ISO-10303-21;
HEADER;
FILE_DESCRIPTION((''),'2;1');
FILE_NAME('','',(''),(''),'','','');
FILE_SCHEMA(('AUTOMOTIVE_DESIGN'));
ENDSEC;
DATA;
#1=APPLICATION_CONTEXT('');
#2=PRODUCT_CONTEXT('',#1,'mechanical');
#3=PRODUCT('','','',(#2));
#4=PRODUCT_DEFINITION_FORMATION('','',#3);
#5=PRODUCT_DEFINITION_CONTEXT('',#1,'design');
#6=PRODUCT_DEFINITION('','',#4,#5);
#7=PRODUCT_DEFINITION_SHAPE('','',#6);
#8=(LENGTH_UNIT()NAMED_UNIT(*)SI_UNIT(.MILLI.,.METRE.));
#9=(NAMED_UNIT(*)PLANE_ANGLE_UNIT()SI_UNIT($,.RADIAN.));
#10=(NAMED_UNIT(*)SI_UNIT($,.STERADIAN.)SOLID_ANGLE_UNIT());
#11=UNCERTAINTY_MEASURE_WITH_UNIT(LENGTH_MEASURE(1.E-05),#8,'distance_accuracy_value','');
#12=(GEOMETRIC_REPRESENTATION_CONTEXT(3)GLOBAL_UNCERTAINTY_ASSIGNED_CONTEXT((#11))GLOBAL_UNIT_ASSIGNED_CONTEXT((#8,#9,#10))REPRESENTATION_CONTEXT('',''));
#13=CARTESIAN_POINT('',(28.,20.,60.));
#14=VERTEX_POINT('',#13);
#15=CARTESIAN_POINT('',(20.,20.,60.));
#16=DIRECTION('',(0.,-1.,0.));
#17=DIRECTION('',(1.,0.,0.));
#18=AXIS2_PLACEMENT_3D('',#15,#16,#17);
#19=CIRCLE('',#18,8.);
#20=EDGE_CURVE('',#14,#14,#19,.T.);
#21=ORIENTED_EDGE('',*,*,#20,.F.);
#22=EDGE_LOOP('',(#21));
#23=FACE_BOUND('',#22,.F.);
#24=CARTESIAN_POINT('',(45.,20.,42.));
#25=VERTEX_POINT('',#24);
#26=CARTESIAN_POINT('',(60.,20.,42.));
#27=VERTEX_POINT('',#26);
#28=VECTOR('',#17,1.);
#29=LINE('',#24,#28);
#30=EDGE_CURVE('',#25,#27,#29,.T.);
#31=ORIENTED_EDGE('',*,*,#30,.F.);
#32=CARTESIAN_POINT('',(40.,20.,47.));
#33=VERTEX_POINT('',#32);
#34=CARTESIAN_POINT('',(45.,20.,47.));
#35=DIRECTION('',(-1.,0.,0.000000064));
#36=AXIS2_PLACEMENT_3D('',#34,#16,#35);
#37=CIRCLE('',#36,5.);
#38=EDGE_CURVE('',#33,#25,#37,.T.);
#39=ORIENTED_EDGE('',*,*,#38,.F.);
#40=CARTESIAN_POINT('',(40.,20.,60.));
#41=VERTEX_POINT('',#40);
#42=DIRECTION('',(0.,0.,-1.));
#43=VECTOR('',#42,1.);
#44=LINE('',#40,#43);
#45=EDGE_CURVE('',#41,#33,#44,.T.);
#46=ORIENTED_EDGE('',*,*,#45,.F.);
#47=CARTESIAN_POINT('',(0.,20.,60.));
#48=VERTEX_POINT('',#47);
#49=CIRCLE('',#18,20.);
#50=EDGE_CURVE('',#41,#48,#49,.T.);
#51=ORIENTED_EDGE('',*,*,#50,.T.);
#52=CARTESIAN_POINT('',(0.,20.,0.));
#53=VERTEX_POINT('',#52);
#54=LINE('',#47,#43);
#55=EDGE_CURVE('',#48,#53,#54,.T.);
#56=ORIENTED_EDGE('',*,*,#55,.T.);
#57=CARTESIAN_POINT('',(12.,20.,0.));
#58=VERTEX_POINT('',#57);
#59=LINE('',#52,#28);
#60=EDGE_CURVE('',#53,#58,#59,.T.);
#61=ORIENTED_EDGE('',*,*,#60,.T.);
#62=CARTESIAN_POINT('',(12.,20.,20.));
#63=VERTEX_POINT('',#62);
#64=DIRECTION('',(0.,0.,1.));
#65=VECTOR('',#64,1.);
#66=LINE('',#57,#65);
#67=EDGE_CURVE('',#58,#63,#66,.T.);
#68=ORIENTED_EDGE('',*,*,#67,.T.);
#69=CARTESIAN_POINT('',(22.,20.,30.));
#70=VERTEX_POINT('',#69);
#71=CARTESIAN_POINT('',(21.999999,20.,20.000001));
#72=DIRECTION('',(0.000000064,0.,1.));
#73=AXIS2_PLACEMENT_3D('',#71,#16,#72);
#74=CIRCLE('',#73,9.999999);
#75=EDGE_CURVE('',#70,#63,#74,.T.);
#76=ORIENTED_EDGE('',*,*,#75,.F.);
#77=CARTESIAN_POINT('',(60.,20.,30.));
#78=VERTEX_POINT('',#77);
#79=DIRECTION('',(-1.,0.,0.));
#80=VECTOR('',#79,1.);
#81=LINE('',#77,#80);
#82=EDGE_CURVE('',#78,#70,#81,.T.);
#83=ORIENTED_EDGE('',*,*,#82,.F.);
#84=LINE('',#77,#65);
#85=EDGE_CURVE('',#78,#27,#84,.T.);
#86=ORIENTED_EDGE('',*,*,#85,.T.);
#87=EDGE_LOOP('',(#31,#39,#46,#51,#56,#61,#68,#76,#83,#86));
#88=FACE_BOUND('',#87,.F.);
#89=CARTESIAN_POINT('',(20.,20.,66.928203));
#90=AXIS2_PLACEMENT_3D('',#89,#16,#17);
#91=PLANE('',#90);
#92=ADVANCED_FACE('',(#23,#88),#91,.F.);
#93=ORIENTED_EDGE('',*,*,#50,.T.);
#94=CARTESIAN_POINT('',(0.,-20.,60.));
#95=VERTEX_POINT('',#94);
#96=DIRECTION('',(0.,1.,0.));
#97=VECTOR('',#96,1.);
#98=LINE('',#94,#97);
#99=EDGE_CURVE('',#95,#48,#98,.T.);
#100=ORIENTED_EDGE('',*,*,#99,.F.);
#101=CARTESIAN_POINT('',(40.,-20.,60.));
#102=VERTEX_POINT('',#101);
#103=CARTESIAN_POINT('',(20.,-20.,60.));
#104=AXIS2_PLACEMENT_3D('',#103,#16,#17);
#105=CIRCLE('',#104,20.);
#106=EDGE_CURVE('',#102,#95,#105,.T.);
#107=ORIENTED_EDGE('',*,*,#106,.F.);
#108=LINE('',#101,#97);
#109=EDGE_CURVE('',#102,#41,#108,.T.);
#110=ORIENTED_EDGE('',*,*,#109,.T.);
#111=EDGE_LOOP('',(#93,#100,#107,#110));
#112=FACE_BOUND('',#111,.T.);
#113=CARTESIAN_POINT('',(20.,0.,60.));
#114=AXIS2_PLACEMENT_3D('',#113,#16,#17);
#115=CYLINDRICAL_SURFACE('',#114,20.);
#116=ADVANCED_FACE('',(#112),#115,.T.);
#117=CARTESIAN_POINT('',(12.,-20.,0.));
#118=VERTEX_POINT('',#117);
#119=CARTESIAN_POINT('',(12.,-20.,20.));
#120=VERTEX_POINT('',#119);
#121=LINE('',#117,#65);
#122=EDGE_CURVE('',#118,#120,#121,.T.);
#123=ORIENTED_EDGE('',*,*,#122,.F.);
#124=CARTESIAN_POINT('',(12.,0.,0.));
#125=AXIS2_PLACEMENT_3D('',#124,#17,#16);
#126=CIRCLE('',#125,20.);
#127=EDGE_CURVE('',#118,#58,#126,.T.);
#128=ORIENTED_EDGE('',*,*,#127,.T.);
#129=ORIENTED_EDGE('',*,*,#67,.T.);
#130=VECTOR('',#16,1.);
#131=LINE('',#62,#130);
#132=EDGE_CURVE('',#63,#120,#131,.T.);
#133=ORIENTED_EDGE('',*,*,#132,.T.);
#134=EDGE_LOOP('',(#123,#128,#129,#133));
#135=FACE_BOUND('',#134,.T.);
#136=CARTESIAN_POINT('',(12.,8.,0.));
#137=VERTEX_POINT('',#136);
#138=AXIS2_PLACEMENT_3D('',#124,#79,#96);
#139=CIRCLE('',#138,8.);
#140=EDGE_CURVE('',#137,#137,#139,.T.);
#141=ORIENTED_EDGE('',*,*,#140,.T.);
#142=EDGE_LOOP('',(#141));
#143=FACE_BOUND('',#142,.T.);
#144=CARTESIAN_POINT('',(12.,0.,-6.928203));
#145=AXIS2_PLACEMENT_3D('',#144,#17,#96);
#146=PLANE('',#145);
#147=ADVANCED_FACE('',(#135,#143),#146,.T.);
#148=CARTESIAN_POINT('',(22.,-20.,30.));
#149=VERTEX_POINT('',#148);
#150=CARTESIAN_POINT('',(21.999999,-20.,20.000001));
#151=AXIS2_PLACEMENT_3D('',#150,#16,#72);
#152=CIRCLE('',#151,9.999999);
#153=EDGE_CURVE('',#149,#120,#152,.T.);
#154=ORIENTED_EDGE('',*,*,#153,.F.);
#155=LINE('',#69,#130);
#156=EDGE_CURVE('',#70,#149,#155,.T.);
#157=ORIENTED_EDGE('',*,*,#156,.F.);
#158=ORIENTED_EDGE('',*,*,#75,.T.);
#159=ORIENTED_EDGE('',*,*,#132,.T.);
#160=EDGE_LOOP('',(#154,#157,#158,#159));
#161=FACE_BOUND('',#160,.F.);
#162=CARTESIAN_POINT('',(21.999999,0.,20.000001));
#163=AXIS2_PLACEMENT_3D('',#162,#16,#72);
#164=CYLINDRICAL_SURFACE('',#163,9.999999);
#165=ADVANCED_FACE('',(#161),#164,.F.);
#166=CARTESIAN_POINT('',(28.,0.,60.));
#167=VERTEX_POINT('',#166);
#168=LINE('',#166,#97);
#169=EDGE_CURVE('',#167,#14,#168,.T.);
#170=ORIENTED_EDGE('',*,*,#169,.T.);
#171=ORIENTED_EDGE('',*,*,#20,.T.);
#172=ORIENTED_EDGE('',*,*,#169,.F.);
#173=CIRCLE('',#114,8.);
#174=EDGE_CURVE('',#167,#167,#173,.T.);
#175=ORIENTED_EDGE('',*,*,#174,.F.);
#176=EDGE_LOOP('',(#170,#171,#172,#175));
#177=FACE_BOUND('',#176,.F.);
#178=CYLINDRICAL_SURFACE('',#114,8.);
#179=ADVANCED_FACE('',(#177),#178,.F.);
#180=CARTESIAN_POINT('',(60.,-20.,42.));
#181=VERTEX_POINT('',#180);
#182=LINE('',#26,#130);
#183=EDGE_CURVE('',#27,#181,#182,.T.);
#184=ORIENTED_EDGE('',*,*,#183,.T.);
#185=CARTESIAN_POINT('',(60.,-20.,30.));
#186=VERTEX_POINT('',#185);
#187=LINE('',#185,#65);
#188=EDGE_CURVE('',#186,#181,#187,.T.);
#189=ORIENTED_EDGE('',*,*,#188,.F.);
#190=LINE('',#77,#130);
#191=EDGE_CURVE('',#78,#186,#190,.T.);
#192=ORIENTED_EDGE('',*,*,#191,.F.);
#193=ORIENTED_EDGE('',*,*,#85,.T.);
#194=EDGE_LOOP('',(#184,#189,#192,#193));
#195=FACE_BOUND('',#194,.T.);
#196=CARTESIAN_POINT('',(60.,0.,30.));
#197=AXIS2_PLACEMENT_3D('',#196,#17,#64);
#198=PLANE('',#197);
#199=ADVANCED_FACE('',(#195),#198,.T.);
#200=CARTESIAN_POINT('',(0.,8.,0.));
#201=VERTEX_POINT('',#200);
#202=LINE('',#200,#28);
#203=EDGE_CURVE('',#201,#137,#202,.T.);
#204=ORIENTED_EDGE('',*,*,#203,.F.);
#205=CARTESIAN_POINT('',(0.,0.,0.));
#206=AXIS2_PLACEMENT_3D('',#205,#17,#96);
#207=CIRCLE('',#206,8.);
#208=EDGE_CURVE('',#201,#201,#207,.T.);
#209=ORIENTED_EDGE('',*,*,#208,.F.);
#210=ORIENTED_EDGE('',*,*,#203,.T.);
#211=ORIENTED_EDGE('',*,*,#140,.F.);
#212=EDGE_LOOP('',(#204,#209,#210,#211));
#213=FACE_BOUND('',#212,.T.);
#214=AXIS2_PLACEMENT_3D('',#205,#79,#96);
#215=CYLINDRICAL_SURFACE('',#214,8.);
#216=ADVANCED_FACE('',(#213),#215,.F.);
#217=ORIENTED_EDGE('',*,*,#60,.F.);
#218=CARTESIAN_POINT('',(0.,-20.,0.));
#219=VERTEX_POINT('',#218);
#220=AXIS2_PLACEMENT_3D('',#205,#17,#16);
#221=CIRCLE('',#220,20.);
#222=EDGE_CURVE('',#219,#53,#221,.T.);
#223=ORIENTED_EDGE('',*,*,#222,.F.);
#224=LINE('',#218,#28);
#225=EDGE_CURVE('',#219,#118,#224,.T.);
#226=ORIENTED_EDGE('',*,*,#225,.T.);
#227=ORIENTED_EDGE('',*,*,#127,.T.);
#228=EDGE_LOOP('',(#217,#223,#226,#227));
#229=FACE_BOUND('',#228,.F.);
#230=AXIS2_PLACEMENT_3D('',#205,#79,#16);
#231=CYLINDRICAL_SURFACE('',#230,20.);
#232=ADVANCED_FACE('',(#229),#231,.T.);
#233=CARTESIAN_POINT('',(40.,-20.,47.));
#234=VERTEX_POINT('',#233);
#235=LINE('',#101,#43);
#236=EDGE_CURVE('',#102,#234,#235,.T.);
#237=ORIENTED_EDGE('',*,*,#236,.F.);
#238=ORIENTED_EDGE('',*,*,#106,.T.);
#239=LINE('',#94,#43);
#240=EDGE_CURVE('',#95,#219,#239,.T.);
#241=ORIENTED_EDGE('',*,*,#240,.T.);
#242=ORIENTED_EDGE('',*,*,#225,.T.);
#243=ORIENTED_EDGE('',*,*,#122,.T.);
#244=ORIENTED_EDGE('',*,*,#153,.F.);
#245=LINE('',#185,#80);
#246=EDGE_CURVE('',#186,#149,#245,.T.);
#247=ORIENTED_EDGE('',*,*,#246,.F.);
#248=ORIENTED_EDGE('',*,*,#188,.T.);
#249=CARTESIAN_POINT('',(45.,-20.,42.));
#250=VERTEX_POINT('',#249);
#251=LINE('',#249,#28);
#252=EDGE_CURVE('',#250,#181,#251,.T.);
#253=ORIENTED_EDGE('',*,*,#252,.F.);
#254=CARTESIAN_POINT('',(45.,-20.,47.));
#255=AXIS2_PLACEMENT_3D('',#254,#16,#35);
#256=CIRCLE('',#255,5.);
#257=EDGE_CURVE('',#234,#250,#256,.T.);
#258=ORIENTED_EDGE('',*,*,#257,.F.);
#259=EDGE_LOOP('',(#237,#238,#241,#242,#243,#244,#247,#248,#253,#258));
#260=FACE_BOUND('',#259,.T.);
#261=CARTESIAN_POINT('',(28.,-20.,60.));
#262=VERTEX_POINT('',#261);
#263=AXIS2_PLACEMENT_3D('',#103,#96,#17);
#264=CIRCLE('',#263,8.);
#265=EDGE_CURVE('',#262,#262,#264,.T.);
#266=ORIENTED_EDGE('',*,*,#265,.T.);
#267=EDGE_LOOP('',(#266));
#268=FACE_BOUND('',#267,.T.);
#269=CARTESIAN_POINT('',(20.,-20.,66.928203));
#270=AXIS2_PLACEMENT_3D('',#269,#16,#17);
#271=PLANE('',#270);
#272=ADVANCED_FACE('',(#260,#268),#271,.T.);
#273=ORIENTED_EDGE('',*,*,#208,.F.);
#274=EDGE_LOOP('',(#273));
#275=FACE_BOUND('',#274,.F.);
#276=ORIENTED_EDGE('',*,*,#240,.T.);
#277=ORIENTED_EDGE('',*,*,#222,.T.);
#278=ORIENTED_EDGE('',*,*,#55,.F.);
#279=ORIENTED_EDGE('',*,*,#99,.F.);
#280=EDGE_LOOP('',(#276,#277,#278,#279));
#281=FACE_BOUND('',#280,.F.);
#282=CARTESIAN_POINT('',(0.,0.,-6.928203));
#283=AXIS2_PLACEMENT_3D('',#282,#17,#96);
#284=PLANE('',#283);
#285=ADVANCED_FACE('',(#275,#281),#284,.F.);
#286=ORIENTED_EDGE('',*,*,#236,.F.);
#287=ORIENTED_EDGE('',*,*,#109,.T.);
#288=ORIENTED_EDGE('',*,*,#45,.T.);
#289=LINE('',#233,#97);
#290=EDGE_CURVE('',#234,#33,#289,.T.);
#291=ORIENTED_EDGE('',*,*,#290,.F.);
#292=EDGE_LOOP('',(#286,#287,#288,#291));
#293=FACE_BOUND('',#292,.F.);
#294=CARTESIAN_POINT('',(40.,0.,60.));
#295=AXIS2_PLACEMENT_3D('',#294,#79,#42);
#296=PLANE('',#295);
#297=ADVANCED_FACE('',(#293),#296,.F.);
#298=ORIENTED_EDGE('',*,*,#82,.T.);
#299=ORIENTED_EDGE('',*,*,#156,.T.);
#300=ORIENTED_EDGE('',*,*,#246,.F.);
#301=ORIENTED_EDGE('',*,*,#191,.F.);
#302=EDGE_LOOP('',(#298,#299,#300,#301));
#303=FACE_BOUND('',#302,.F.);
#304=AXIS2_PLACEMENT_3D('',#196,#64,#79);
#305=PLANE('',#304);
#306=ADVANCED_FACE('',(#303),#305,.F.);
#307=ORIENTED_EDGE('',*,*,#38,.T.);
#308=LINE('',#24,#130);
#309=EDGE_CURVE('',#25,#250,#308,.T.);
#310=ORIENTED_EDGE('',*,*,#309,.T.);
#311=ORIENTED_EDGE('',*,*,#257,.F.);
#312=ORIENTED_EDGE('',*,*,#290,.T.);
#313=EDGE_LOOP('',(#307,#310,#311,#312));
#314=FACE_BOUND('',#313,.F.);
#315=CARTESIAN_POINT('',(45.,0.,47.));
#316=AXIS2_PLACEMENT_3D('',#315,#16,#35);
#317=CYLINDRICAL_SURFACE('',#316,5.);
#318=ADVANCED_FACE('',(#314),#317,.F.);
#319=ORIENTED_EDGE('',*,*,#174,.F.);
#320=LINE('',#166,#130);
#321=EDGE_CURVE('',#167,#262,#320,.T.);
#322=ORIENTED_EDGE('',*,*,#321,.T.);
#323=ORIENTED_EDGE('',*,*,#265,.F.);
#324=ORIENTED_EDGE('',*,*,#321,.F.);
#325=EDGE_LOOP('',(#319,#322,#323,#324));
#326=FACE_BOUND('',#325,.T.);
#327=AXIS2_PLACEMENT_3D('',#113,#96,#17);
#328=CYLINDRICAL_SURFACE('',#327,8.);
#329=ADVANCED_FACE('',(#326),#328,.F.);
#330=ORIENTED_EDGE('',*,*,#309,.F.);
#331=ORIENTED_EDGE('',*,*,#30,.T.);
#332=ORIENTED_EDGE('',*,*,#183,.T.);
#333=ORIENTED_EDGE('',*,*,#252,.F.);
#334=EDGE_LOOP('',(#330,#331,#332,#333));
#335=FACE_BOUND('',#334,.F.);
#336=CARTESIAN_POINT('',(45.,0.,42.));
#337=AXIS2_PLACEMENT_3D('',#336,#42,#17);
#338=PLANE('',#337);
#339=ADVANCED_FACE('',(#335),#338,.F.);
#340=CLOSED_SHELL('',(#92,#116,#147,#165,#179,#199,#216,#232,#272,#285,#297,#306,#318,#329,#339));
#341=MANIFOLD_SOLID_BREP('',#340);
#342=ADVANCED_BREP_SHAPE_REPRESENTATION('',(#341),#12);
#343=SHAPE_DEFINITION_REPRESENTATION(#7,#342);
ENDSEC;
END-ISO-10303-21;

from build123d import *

# Parameters (mm, degrees)
PAD_DEPTH            = 20
PAD001_DEPTH         = 20
PAD002_DEPTH         = 12
SKETCH004_R          = 8
POCKET001_DEPTH      = 20.001
POCKET001_DEPTH_BACK = -20.001
SKETCH005_R          = 8
POCKET002_DEPTH      = 0.001
POCKET002_DEPTH_BACK = -60.001


with BuildPart() as part:
    # Sketch → Pad (new body, symmetric)
    with BuildSketch(Plane.XZ):
        with BuildLine():
            Line((0, 60), (0, 0))
            Line((0, 0), (12, 0))
            Line((12, 0), (12, 20))
            ThreePointArc((22, 30), (14.928932, 27.071068), (12, 20))
            Line((60, 30), (22, 30))
            Line((60, 30), (60, 42))
            Line((45, 42), (60, 42))
            ThreePointArc((40, 47), (41.464466, 43.464466), (45, 42))
            Line((40, 60), (40, 47))
            Line((40, 60), (0, 60))
        make_face()
    extrude(amount=PAD_DEPTH, both=True)

    # Sketch001 → Pad001 (join, symmetric)
    with BuildSketch(Plane.XZ):
        with BuildLine():
            ThreePointArc((40, 60), (20, 80), (0, 60))
            Line((40, 60), (0, 60))
        make_face()
    extrude(amount=PAD001_DEPTH, both=True)

    # Sketch002 → Pad002 (join)
    with BuildSketch(Plane.YZ):
        with BuildLine():
            ThreePointArc((-20, 0), (0, -20), (20, 0))
            Line((20, 0), (-20, 0))
        make_face()
    extrude(amount=PAD002_DEPTH)

    # Sketch004 → Pocket001 (cut, two sides)
    with BuildSketch(Plane.XZ) as pocket001_sk:
        with Locations((20, 60)):
            Circle(SKETCH004_R)
    extrude(amount=-POCKET001_DEPTH, mode=Mode.SUBTRACT)
    extrude(pocket001_sk.sketch, amount=-POCKET001_DEPTH_BACK, mode=Mode.SUBTRACT)

    # Sketch005 → Pocket002 (cut, two sides)
    with BuildSketch(Plane.YZ) as pocket002_sk:
        Circle(SKETCH005_R)
    extrude(amount=-POCKET002_DEPTH, mode=Mode.SUBTRACT)
    extrude(pocket002_sk.sketch, amount=-POCKET002_DEPTH_BACK, mode=Mode.SUBTRACT)


solid = part.part
